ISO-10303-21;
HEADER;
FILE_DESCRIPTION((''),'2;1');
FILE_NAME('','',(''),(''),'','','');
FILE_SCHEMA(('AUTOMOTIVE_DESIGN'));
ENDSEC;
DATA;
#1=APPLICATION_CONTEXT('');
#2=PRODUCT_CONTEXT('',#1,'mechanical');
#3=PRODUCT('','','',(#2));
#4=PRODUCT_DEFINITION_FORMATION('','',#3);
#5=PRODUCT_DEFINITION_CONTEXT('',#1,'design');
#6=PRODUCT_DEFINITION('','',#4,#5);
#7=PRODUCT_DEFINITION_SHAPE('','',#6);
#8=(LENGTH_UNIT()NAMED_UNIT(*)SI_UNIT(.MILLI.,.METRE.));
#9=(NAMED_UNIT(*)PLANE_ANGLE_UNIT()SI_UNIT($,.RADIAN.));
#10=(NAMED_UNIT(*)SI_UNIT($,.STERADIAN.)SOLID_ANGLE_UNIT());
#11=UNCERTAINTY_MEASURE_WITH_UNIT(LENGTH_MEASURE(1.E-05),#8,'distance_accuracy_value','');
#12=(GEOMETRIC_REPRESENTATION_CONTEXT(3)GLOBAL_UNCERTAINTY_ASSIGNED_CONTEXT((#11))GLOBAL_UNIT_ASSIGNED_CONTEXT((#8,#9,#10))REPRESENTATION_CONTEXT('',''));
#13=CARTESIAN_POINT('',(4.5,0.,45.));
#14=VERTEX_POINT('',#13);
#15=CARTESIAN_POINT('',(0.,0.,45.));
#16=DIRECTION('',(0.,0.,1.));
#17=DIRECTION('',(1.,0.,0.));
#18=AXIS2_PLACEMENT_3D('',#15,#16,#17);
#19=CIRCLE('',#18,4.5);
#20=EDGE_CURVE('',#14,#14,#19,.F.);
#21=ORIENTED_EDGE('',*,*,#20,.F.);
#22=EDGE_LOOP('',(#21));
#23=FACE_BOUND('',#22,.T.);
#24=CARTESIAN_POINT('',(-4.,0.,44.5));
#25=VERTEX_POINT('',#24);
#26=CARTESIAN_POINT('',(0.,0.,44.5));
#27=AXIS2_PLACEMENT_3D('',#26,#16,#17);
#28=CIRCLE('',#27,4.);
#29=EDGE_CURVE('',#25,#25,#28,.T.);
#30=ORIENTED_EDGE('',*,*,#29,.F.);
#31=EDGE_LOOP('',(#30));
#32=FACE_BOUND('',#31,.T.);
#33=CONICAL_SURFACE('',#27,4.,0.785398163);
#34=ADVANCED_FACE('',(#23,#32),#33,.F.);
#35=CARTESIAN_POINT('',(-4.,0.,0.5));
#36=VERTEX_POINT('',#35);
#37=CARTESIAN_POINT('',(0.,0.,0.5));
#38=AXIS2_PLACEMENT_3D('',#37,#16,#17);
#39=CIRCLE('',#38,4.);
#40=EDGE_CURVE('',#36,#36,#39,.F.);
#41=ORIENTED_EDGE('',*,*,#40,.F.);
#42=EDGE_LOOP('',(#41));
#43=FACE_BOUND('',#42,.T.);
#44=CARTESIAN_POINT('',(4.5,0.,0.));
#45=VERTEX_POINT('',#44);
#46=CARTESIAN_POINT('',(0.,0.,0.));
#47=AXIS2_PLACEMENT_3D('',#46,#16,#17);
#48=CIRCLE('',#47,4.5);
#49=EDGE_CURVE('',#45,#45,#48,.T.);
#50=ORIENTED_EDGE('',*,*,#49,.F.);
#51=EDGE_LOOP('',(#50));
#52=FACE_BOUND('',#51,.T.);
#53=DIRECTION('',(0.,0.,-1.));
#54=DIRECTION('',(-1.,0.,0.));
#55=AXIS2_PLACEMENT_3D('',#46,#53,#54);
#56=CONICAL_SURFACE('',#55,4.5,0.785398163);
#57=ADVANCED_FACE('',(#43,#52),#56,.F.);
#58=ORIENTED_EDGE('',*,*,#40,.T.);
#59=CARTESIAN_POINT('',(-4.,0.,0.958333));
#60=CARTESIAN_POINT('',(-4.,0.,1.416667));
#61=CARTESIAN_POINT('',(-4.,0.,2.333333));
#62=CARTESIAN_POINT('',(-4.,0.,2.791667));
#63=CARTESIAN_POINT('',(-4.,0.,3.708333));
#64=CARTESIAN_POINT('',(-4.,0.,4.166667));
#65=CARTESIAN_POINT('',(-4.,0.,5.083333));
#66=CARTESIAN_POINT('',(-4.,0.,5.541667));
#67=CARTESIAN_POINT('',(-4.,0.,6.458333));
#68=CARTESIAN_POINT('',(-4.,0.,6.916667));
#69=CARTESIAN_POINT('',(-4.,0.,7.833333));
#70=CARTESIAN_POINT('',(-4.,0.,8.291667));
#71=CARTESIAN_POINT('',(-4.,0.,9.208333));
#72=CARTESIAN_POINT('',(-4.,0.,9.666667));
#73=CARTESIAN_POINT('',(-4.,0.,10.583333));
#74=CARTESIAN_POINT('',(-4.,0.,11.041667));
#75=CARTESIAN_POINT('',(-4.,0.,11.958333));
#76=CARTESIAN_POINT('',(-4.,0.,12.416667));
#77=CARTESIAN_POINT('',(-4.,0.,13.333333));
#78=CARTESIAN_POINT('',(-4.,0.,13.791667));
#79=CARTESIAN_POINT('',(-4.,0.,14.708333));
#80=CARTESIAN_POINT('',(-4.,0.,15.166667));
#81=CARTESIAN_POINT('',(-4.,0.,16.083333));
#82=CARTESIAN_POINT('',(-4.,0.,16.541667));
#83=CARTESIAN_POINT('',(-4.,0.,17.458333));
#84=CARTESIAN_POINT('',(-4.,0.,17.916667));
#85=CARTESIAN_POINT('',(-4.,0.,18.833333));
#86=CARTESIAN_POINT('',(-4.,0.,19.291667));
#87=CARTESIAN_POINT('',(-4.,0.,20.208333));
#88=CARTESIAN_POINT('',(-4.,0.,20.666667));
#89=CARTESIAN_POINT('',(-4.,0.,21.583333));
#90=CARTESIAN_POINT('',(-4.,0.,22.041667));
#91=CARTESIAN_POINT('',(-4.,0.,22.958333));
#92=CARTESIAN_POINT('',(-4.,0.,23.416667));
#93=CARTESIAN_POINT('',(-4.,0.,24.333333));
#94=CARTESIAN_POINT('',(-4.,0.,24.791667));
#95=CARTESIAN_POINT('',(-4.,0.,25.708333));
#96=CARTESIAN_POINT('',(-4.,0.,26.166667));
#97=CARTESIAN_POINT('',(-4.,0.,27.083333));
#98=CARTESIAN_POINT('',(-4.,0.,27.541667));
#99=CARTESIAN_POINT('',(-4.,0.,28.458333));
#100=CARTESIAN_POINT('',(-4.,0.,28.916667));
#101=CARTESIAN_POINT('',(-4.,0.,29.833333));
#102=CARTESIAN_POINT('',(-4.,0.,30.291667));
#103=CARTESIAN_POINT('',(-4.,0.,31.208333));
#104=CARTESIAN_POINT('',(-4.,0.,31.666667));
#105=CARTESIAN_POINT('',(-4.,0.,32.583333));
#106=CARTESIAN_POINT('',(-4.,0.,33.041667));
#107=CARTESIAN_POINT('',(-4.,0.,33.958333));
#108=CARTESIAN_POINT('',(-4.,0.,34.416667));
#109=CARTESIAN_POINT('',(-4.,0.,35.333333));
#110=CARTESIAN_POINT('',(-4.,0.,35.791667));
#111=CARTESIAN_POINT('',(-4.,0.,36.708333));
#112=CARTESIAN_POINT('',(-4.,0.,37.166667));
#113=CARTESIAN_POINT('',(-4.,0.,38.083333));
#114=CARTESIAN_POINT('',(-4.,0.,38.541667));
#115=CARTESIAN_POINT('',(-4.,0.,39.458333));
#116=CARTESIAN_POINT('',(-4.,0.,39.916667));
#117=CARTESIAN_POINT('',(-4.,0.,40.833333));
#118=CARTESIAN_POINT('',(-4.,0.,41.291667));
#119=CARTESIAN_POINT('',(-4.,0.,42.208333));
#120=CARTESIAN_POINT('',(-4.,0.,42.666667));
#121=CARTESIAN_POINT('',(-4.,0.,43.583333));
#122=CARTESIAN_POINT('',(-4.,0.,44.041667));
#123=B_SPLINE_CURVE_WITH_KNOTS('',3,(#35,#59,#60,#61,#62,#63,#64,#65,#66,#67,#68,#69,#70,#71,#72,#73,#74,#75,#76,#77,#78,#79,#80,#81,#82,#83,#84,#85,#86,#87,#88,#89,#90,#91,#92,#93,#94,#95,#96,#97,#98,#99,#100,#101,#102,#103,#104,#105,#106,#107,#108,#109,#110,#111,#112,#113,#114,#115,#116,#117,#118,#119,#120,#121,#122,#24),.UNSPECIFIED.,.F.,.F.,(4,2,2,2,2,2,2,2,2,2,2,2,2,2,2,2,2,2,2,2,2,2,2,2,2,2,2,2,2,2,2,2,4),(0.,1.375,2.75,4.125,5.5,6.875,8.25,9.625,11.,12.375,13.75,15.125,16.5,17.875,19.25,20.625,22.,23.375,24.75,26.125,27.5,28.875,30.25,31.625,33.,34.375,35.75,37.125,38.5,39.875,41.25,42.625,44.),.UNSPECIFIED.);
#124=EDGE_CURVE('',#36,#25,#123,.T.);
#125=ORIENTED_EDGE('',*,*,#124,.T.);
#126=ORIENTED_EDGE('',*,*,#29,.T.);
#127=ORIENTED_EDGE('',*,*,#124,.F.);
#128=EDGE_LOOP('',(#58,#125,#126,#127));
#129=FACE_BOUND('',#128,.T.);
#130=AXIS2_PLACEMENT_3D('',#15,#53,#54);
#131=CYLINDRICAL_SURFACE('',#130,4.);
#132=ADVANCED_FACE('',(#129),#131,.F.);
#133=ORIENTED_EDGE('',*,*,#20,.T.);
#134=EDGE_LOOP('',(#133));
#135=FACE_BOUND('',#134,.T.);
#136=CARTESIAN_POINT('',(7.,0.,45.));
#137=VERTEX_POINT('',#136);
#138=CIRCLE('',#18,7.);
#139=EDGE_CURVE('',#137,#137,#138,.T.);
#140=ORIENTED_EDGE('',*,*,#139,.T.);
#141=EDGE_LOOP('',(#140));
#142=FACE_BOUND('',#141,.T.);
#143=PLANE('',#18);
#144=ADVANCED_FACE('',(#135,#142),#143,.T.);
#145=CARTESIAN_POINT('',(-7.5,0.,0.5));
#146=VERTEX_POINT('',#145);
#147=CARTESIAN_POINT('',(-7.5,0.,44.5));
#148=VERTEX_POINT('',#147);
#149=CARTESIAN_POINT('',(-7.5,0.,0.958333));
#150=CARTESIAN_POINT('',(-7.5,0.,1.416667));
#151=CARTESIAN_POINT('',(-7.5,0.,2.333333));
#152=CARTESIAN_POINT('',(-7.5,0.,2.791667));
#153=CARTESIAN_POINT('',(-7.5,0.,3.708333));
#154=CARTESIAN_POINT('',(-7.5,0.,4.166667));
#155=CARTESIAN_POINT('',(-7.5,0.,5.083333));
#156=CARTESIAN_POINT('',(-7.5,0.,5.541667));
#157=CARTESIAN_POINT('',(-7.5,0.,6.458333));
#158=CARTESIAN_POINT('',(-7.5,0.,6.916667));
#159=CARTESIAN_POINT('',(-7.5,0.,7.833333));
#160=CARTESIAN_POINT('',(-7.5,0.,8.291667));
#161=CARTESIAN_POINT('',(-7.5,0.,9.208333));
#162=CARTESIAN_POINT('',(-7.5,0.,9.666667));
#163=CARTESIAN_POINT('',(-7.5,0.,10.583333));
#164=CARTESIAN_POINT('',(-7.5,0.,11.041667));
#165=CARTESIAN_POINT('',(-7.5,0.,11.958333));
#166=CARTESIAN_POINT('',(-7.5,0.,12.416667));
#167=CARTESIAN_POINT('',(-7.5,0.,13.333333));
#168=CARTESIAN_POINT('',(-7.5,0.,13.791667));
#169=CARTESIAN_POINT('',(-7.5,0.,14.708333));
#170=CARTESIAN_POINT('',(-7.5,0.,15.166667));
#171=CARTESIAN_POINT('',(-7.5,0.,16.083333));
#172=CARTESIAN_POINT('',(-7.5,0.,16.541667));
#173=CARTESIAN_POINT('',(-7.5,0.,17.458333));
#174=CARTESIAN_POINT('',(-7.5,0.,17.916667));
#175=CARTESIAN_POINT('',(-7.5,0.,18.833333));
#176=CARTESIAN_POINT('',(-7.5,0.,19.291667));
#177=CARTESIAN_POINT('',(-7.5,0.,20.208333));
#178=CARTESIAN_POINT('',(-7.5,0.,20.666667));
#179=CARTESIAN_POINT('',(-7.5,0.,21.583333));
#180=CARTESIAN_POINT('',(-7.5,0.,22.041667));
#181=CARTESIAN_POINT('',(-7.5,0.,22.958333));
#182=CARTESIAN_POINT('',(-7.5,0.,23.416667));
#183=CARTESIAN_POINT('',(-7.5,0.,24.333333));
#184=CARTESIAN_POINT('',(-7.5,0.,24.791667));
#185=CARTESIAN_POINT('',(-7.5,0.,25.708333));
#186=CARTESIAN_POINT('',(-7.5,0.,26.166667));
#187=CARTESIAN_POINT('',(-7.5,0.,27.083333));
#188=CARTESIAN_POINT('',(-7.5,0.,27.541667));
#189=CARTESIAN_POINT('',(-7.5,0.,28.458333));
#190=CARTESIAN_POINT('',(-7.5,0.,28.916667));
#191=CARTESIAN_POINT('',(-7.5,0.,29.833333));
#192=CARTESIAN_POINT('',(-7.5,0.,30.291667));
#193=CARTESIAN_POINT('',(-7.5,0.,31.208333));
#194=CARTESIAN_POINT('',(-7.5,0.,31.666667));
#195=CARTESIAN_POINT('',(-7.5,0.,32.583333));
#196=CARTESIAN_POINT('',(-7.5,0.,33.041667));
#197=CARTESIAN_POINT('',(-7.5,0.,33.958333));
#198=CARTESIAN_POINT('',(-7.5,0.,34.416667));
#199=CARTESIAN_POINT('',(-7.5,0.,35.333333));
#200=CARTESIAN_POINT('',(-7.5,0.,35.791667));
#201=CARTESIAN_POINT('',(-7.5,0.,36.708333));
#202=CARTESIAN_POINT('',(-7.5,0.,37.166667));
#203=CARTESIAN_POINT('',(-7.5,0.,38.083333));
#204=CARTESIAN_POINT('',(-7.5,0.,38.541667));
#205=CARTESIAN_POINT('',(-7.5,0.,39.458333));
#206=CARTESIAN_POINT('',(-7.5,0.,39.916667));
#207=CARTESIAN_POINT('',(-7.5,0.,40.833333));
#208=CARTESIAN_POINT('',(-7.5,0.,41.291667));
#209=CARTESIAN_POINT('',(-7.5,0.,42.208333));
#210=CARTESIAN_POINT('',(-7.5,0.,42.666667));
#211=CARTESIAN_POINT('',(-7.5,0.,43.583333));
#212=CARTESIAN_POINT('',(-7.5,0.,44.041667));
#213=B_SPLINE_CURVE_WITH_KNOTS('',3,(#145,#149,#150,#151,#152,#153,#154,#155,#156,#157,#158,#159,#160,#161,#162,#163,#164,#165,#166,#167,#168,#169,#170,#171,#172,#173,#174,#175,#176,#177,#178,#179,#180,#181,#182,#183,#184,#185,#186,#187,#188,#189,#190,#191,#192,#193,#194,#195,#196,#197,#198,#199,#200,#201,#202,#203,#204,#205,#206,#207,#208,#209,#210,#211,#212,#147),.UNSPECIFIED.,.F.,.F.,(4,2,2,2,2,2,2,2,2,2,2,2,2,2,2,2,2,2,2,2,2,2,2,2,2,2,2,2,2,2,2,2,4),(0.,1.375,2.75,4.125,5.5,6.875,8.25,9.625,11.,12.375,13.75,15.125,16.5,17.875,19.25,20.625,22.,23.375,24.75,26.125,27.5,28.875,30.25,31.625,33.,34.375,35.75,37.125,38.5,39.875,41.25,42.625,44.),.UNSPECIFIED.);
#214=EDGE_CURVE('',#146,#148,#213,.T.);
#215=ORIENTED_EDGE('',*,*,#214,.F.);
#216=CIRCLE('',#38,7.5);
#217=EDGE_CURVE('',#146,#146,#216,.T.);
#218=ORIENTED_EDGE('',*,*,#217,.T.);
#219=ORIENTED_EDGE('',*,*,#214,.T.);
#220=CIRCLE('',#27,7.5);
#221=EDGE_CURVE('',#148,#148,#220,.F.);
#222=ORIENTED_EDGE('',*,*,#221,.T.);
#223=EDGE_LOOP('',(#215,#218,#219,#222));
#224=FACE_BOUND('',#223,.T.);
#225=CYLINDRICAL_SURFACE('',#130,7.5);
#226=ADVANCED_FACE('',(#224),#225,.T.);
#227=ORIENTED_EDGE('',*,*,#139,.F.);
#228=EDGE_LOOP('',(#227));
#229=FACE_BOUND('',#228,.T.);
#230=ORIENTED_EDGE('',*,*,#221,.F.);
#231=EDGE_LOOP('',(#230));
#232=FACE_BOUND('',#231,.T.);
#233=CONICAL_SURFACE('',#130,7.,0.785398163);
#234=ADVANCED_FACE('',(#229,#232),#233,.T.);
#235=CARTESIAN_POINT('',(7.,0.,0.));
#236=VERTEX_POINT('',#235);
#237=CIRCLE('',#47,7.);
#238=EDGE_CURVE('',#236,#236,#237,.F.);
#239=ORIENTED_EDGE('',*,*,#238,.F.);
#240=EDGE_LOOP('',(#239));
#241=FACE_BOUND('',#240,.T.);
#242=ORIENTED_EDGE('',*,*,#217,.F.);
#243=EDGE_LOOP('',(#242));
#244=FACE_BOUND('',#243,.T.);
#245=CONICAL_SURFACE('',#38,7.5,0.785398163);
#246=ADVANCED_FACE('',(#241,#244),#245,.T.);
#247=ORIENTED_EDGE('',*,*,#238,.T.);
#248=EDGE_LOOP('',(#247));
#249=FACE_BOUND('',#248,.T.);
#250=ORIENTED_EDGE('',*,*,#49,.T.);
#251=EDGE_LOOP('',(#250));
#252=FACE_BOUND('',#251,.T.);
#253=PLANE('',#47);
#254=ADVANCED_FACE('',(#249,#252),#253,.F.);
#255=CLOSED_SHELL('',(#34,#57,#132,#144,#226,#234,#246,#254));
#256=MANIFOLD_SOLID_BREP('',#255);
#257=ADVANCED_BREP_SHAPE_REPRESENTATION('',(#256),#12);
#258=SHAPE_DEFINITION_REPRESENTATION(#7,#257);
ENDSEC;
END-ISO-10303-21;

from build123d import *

# Parameters (mm, degrees)
SKETCH_1_R      = 7.5
SKETCH_1_R_2    = 4
EXTRUDE_1_DEPTH = 45
CHAMFER_1_SIZE  = 0.5


with BuildPart() as part:
    # Эскиз1 → Бобышка-Вытянуть1 (new body)
    with BuildSketch(Plane.XY):
        with Locations(Location((0, 0, 0), (0, 0, 180))):
            Circle(SKETCH_1_R)
        with Locations(Location((0, 0, 0), (0, 0, 180))):
            Circle(SKETCH_1_R_2, mode=Mode.SUBTRACT)
    extrude(amount=EXTRUDE_1_DEPTH)

    # Фаска1
    chamfer_1_edges = [part.edges().sort_by_distance(p)[0] for p in [
        (7.5, 0, 0),
        (7.5, 0, 45),
        (4, 0, 0),
        (4, 0, 45),
    ]]
    chamfer(chamfer_1_edges, length=CHAMFER_1_SIZE)


solid = part.part
